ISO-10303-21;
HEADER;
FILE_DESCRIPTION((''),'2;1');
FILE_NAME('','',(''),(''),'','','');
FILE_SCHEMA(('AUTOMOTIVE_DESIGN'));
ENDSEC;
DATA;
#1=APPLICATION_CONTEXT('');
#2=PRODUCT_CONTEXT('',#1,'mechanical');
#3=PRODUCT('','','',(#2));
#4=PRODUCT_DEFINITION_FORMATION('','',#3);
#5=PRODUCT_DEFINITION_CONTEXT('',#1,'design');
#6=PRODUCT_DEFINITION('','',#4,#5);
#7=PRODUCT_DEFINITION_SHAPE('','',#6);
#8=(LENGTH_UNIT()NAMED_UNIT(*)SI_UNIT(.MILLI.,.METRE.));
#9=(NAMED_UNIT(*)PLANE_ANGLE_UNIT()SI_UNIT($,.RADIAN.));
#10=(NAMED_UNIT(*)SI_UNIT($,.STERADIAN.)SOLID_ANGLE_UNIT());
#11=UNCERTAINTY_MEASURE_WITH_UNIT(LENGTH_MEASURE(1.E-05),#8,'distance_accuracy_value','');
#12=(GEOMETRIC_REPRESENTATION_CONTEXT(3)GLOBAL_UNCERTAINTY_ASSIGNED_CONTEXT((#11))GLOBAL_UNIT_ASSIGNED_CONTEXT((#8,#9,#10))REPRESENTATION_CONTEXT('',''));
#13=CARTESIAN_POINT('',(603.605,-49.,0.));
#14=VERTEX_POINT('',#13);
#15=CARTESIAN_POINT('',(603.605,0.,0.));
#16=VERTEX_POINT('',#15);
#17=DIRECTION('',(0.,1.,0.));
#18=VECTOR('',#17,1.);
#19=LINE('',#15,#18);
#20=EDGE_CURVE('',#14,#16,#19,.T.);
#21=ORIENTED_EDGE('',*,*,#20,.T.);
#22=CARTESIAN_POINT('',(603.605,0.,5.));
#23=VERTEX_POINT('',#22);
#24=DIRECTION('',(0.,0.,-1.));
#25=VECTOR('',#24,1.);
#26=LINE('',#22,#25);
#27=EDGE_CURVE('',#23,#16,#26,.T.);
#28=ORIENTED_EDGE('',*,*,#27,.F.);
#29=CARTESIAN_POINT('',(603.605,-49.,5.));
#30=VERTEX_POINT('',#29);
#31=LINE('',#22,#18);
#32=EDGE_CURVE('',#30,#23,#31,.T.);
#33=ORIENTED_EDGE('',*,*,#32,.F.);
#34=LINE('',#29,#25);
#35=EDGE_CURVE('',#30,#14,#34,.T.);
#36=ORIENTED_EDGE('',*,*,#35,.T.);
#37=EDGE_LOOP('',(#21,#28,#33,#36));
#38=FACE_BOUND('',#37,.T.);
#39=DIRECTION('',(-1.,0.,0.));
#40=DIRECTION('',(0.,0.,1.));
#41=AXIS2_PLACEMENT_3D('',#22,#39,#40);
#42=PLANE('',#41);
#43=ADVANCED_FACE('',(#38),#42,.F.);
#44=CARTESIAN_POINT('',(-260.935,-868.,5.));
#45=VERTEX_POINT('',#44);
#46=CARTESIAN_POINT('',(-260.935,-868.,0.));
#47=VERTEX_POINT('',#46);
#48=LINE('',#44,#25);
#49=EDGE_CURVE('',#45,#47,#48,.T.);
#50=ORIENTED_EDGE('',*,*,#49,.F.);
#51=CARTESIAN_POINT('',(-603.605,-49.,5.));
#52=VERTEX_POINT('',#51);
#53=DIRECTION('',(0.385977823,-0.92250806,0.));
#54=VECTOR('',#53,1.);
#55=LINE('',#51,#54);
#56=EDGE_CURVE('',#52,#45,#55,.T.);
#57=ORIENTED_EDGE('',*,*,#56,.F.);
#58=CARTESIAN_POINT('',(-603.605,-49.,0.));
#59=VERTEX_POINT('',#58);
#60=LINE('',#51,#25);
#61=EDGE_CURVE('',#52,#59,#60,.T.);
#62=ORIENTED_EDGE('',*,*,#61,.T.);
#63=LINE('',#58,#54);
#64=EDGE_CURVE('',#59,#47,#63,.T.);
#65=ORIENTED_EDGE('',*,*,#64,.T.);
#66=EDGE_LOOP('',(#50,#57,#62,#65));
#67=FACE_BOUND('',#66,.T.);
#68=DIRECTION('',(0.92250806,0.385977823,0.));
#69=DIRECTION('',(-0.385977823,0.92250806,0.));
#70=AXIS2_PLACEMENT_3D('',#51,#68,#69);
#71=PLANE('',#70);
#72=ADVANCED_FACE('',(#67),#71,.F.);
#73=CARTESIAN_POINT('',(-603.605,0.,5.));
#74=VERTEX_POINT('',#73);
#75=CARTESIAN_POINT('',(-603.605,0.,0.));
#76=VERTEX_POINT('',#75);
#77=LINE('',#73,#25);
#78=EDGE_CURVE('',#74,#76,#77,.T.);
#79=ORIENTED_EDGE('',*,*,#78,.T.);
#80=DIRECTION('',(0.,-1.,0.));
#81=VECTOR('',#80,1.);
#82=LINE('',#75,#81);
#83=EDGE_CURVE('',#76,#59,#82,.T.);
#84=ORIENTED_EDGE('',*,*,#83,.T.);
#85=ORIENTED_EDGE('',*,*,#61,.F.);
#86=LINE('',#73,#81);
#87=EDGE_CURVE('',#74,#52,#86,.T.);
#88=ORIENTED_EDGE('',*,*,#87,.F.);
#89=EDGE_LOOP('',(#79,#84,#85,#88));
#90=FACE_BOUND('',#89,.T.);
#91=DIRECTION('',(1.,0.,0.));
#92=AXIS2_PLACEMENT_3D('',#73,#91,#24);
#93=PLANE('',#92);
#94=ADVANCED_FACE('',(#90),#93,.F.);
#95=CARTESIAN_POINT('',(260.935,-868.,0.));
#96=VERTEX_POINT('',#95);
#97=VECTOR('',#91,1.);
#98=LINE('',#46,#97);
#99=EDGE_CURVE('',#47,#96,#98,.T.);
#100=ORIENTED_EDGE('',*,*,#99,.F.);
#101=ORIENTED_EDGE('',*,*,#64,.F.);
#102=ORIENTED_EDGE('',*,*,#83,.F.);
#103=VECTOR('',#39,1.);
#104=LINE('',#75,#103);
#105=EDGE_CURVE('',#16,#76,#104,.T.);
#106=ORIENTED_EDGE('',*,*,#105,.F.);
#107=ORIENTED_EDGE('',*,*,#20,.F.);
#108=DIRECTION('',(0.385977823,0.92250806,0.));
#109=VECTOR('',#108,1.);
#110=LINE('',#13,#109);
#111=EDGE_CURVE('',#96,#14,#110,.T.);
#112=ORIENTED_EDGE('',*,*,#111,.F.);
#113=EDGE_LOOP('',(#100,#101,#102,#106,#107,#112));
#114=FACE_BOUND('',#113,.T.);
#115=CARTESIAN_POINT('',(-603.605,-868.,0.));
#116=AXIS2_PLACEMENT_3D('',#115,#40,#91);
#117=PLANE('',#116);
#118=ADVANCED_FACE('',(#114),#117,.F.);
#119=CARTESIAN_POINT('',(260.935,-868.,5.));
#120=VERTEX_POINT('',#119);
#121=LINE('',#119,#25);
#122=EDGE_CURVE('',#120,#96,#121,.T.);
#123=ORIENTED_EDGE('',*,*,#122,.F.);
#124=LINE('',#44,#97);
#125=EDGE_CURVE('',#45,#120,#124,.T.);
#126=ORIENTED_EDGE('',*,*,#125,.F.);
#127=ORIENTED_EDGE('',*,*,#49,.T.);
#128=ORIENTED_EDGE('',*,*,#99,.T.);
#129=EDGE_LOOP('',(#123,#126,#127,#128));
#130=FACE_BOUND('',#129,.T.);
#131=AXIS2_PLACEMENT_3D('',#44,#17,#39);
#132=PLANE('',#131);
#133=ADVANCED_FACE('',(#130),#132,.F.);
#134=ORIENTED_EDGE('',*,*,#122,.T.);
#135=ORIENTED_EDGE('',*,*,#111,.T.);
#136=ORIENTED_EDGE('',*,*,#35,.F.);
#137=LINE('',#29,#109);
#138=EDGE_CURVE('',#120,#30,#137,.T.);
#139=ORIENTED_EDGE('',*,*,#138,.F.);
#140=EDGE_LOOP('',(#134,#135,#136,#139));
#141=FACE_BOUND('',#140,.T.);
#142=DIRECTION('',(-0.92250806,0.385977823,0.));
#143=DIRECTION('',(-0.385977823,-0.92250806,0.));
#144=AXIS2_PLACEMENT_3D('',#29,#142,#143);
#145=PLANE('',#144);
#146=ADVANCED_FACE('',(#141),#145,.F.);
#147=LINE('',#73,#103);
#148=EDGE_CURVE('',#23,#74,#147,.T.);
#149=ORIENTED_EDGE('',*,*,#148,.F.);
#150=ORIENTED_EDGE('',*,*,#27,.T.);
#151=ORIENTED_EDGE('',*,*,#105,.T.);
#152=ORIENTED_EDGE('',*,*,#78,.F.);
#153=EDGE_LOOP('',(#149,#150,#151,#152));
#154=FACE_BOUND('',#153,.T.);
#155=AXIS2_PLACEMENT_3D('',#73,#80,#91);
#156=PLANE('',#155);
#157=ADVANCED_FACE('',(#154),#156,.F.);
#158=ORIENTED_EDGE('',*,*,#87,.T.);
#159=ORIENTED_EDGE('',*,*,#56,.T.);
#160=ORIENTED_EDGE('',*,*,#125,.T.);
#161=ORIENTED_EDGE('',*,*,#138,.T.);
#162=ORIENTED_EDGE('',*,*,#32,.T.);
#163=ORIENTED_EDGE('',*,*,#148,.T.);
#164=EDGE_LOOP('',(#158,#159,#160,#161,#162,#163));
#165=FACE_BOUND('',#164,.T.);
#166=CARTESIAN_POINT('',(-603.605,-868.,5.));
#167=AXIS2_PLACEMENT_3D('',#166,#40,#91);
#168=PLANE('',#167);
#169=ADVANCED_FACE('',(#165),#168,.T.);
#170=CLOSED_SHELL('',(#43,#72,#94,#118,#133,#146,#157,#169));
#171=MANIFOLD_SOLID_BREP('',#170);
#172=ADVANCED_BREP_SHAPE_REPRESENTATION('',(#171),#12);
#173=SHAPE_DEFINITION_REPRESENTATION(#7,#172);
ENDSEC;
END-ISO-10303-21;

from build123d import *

# Parameters (mm, degrees)
EXTRUDE_1_DEPTH = 5


with BuildPart() as part:
    # 草图1 → 凸台-拉伸1 (new body)
    with BuildSketch(Plane.XY):
        Polygon((-603.605, 0), (603.605, 0), (603.605, -49), (260.935, -868), (-260.935, -868), (-603.605, -49), align=None)
    extrude(amount=EXTRUDE_1_DEPTH)


solid = part.part
